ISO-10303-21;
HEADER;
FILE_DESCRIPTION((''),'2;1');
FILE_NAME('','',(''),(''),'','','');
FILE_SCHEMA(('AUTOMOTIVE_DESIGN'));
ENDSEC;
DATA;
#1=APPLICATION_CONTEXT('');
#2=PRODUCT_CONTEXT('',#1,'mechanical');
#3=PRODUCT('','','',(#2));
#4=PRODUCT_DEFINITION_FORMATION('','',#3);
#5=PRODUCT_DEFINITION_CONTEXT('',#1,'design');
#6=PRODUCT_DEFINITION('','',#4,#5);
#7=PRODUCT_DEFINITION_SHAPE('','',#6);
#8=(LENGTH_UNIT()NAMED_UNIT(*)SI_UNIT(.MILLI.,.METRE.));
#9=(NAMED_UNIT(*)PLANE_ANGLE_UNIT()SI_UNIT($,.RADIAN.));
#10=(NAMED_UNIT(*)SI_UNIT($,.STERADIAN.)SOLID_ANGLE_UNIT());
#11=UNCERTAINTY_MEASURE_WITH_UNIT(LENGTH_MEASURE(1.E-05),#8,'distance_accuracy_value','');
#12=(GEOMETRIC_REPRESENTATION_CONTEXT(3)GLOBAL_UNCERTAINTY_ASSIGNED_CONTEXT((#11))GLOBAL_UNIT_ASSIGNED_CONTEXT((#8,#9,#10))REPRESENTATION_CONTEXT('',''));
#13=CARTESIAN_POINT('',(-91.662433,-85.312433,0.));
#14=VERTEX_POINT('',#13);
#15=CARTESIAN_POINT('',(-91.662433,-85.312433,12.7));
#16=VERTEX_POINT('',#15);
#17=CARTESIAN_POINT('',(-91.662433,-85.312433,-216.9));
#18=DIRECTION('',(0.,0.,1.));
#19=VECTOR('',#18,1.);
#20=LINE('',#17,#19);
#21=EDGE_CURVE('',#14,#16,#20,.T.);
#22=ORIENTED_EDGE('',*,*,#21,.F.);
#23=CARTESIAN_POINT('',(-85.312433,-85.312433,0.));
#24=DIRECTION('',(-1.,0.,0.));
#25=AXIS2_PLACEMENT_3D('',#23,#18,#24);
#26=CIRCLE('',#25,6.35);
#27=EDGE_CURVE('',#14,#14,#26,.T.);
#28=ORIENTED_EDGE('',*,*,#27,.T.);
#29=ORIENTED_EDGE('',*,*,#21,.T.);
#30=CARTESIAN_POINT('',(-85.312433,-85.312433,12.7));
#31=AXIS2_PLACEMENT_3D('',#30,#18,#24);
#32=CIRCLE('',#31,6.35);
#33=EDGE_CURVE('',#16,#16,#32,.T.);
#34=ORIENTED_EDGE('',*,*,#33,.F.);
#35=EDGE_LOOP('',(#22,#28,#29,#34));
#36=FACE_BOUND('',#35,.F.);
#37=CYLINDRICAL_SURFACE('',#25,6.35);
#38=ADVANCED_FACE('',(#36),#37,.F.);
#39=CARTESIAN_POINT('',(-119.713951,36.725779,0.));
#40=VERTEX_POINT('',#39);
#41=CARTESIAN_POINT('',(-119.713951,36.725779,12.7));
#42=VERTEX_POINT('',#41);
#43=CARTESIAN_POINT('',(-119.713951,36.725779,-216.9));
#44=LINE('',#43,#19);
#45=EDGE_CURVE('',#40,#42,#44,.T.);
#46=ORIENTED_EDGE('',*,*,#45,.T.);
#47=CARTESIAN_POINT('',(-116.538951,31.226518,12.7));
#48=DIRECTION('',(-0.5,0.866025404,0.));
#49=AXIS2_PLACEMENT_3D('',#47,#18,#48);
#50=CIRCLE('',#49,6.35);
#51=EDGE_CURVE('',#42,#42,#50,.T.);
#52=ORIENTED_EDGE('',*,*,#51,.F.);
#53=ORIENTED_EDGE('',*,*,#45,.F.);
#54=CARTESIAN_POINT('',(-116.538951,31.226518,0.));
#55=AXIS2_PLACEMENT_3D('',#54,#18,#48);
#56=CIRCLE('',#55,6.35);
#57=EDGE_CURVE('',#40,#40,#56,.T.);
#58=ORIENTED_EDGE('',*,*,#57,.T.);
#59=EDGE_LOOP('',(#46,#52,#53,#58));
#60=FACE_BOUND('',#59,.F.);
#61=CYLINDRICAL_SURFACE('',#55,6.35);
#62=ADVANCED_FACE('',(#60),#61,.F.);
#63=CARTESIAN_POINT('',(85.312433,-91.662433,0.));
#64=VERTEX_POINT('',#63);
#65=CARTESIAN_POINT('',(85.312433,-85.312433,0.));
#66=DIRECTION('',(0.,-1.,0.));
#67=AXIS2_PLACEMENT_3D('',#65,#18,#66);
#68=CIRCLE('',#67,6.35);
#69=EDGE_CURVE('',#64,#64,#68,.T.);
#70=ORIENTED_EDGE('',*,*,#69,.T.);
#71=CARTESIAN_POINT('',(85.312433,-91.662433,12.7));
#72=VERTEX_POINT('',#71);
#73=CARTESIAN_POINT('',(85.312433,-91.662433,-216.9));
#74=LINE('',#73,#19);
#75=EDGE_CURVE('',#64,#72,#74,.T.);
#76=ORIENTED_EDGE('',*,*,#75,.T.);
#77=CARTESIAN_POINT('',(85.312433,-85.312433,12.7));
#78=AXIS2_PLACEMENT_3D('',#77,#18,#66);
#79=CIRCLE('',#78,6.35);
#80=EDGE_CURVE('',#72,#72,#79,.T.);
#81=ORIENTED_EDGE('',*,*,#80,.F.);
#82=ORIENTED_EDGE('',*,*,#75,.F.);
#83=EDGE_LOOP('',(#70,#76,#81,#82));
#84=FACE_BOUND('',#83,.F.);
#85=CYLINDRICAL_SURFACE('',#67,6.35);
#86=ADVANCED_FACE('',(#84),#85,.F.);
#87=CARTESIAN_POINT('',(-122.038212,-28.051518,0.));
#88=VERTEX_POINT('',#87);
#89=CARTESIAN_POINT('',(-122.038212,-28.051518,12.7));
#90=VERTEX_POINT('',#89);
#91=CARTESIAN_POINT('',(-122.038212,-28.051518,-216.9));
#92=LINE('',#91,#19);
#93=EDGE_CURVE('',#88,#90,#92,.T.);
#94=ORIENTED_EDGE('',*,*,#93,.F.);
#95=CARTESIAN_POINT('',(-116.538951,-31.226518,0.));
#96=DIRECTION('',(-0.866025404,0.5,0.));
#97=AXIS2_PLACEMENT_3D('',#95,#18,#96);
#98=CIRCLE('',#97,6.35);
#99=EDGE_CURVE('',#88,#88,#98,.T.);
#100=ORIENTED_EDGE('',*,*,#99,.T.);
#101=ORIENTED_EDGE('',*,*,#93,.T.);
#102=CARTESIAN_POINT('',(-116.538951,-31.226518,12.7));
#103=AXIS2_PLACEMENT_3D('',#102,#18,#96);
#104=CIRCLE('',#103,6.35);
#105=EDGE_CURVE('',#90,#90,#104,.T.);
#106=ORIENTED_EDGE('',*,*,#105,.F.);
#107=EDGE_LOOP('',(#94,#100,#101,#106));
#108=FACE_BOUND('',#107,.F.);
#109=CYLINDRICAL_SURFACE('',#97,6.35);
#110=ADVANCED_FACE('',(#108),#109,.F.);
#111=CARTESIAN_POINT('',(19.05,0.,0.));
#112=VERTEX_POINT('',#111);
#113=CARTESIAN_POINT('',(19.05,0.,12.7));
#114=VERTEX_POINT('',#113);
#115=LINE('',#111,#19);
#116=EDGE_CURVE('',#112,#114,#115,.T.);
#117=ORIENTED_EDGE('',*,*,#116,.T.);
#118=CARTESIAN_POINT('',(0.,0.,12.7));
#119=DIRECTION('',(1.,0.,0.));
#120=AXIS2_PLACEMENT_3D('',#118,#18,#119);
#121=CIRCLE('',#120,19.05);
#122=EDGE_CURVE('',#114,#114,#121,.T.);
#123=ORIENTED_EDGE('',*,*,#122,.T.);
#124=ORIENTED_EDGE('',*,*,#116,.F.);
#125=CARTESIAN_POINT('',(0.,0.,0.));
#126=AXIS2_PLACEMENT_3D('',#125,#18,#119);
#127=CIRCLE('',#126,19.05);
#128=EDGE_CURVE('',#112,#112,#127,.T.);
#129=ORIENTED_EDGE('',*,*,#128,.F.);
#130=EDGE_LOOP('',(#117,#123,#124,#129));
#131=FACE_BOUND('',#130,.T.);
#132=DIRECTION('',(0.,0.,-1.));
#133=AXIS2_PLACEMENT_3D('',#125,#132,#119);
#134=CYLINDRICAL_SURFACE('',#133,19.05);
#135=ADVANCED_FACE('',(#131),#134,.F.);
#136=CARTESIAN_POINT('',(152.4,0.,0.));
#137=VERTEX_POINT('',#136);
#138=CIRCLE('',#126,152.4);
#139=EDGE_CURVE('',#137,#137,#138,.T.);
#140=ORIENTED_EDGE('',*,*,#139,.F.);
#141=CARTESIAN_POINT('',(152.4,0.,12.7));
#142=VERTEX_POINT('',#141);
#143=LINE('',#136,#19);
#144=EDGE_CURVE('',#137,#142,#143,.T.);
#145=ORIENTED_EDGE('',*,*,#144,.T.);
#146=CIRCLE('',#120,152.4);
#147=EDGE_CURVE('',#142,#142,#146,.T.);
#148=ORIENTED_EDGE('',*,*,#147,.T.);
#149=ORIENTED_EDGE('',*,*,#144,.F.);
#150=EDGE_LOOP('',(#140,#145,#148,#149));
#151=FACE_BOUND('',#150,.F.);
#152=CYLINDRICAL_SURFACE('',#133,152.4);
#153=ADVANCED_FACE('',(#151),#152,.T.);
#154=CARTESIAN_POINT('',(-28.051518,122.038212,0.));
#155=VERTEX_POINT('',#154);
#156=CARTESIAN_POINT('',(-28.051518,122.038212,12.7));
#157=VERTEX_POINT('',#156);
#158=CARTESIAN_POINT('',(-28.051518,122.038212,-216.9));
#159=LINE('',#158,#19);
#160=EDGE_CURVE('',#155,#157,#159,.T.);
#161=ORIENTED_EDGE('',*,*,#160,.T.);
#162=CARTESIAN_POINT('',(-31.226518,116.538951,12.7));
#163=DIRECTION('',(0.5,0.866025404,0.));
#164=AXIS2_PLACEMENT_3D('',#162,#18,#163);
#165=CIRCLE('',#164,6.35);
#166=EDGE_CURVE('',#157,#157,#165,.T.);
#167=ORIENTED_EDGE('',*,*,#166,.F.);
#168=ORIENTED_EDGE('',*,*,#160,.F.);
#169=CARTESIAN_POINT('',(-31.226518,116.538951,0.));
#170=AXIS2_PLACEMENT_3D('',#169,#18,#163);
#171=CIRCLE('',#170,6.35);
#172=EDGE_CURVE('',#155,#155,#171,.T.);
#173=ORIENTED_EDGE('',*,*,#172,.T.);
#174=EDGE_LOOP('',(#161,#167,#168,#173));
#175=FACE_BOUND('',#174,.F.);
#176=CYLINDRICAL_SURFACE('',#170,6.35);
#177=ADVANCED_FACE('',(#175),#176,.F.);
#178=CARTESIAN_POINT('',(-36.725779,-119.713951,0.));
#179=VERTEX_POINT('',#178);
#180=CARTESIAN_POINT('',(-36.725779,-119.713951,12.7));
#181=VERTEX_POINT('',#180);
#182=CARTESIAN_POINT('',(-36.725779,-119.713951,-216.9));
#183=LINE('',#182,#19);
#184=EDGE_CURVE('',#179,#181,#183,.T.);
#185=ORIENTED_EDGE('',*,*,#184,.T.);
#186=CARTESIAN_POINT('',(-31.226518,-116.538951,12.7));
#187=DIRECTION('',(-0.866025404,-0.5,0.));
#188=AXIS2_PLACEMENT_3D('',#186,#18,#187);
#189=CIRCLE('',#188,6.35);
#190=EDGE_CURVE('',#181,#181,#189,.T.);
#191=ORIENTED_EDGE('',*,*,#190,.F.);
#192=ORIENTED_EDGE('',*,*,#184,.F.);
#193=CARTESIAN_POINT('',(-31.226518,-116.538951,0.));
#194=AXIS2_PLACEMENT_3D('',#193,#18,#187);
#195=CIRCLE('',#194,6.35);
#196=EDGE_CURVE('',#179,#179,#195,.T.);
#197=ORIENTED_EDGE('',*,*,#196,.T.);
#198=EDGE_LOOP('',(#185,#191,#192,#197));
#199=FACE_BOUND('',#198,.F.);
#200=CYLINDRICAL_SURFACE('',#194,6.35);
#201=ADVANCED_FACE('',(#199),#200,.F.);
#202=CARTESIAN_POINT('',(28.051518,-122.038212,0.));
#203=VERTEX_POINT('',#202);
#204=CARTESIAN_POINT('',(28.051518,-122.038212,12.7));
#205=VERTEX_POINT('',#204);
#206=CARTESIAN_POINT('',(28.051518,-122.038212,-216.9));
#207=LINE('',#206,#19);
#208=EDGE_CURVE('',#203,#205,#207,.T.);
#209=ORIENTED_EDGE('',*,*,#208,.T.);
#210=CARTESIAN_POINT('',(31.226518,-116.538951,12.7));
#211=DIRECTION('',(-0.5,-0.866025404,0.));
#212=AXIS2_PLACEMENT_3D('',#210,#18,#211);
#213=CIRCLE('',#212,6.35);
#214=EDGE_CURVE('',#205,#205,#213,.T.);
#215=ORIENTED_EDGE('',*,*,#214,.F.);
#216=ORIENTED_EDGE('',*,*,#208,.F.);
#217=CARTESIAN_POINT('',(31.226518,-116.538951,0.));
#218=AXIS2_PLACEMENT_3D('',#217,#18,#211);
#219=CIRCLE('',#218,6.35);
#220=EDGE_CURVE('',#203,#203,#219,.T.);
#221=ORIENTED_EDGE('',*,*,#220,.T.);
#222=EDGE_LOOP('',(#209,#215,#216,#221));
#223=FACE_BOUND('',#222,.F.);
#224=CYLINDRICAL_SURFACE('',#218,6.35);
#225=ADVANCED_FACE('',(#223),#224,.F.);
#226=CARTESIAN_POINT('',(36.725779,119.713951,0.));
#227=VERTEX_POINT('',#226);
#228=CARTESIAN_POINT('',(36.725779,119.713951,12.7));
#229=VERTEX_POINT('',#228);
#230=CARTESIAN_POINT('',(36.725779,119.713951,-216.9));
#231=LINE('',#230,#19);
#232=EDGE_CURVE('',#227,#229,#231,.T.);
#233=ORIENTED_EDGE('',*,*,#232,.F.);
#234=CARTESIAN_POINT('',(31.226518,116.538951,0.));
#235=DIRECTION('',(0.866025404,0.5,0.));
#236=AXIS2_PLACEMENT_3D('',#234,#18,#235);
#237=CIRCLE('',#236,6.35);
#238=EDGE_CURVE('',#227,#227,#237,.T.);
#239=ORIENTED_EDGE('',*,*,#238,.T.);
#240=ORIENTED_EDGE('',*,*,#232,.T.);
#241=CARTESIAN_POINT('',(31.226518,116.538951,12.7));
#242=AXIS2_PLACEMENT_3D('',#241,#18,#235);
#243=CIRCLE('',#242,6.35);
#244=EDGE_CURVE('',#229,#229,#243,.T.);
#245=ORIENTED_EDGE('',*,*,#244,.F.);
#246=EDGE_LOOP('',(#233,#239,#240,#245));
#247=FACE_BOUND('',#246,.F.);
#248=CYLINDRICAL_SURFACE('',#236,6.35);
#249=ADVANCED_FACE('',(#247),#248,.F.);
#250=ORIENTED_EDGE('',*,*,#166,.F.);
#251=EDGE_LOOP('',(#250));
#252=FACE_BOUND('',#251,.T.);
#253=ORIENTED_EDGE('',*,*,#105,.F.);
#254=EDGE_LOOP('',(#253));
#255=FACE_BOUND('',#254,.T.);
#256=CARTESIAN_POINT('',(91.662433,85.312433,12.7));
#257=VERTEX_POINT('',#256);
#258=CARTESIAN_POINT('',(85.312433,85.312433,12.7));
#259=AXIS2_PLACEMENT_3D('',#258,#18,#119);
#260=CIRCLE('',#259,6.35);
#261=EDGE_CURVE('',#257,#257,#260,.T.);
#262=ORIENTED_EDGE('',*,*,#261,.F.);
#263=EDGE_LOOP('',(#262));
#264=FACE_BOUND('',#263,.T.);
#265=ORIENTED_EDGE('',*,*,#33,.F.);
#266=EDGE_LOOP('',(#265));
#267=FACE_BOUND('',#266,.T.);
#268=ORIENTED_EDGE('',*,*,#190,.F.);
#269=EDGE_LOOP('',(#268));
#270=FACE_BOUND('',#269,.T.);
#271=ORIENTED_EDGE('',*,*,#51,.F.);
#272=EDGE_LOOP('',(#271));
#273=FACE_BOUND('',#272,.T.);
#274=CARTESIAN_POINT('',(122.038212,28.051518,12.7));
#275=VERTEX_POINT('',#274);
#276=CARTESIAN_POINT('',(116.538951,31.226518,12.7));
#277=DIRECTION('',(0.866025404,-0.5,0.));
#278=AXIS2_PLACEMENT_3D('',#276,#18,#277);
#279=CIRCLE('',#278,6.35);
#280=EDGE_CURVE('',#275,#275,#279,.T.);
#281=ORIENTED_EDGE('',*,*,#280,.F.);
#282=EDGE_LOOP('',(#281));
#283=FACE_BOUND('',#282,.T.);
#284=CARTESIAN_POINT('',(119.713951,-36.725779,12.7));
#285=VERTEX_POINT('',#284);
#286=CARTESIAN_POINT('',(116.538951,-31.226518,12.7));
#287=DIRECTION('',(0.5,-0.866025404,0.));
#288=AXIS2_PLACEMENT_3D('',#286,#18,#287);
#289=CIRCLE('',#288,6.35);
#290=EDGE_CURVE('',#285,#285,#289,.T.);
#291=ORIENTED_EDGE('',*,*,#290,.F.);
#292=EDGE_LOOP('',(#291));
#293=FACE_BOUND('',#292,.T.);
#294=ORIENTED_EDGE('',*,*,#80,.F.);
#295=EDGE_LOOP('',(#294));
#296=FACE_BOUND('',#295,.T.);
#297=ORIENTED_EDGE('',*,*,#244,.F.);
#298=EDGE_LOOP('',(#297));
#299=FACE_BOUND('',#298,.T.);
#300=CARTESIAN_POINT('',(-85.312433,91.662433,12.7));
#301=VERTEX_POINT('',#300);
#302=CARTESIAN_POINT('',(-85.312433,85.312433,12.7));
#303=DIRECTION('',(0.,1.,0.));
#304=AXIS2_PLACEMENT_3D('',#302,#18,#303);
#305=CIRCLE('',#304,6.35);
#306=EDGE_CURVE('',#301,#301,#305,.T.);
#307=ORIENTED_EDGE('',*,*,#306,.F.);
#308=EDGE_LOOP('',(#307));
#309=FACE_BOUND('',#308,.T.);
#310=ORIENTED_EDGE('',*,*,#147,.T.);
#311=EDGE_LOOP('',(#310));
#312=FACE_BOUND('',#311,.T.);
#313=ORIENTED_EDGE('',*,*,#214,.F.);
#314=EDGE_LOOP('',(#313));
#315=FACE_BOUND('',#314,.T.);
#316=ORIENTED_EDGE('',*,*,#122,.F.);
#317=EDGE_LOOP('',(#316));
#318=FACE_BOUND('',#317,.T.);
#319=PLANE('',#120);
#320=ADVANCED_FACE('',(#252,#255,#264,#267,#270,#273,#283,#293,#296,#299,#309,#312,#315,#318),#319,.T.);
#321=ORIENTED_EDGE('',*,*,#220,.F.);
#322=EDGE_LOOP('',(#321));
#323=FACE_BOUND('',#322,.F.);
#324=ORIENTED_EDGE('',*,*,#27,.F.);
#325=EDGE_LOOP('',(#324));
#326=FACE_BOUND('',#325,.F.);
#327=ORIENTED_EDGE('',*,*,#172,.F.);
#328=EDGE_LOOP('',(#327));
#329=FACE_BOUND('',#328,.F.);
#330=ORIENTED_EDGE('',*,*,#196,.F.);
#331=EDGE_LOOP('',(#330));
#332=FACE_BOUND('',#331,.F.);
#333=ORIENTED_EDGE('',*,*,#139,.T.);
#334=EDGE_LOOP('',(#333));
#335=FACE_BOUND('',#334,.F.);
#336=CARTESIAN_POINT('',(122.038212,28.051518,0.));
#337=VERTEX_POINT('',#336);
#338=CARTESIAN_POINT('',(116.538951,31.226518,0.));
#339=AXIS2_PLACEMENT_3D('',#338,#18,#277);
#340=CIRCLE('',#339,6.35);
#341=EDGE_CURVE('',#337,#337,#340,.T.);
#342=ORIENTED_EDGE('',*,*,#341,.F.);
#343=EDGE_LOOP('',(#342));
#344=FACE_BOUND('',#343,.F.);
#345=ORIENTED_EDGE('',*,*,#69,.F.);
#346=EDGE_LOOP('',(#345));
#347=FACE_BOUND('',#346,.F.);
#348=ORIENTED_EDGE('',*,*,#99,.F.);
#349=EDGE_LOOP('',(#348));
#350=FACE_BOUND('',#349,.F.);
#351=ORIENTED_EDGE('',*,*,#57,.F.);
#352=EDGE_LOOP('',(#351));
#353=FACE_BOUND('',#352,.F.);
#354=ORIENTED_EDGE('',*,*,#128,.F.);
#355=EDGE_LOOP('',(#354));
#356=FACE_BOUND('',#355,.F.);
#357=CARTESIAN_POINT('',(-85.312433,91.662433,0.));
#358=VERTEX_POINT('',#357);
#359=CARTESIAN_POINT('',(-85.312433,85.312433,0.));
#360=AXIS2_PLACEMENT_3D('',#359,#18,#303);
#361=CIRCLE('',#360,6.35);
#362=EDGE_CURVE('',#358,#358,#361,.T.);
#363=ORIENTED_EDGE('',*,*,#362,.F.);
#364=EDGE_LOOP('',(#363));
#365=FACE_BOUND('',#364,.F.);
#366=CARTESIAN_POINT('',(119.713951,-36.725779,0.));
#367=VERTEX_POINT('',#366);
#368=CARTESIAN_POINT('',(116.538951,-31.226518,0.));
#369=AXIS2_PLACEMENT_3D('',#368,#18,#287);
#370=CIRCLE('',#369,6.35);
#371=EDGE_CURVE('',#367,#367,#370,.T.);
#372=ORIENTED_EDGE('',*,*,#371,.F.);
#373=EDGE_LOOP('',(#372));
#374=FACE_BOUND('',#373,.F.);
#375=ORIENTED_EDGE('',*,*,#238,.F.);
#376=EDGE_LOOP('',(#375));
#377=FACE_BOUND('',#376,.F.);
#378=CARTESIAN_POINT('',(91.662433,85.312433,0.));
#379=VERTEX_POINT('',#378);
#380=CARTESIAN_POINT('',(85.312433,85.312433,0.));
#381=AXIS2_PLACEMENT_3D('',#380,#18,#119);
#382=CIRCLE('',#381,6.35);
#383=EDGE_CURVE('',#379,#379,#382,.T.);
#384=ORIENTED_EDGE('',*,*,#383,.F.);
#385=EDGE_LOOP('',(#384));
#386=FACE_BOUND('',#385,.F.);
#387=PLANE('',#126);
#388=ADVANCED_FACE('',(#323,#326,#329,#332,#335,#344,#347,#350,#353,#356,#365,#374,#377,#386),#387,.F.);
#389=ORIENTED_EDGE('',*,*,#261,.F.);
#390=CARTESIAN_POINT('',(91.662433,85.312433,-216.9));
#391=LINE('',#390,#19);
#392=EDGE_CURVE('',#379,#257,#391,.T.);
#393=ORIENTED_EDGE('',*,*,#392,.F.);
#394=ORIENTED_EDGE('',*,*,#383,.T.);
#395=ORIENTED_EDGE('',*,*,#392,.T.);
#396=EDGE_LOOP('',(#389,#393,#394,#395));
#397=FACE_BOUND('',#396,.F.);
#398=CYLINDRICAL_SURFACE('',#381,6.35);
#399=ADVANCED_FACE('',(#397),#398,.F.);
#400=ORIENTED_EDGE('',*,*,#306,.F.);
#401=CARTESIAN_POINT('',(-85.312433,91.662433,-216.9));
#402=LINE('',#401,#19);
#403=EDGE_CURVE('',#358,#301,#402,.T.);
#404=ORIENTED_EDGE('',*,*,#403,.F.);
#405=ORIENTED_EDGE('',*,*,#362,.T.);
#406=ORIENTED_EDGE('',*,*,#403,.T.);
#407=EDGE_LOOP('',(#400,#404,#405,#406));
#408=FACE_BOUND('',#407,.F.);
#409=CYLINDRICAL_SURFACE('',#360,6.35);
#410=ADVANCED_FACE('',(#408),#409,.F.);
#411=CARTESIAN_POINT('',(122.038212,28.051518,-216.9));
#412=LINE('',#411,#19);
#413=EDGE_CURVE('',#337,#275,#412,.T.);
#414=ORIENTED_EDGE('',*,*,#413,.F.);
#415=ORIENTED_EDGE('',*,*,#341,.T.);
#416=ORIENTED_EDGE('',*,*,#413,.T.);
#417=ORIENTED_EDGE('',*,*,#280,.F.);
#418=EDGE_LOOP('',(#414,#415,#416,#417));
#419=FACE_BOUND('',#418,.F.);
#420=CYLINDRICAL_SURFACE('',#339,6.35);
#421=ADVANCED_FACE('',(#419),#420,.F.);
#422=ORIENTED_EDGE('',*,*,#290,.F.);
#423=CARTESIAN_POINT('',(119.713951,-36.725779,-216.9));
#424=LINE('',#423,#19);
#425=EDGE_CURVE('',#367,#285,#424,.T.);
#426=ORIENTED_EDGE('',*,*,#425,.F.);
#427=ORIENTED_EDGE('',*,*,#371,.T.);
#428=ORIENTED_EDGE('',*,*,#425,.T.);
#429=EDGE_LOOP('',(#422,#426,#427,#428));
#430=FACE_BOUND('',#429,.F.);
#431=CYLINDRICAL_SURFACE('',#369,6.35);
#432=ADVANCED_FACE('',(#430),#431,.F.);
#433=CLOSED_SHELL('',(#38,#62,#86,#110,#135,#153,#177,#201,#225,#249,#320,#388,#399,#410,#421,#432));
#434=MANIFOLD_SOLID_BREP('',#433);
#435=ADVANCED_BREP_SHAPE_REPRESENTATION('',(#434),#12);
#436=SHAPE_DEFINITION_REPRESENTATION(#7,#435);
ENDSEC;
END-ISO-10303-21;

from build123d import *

# Parameters (mm, degrees)
SKETCH1_R           = 152.4
SKETCH1_R_2         = 19.05
BOSS_EXTRUDE1_DEPTH = 12.7
SKETCH2_R           = 6.35
CUT_EXTRUDE2_DEPTH  = 216.9
CRVPATTERN1_COUNT   = 12


with BuildPart() as part:
    # Sketch1 → Boss-Extrude1 (new body)
    with BuildSketch(Plane.XY):
        Circle(SKETCH1_R)
        Circle(SKETCH1_R_2, mode=Mode.SUBTRACT)
    extrude(amount=BOSS_EXTRUDE1_DEPTH)

    # Sketch2 → Cut-Extrude2 (cut, symmetric)
    with BuildSketch(Plane.XY):
        with Locations((85.31243315, 85.31243315)):
            Circle(SKETCH2_R)
    cut_extrude2 = extrude(amount=CUT_EXTRUDE2_DEPTH, both=True, mode=Mode.SUBTRACT)

    # CrvPattern1: Cut-Extrude2 ×12 about axis
    crvpattern1_axis = Axis((0, 0, 0), (0, 0, 1))
    for i in range(1, CRVPATTERN1_COUNT):
        add(cut_extrude2.rotate(crvpattern1_axis, i * 360 / CRVPATTERN1_COUNT), mode=Mode.SUBTRACT)


solid = part.part
